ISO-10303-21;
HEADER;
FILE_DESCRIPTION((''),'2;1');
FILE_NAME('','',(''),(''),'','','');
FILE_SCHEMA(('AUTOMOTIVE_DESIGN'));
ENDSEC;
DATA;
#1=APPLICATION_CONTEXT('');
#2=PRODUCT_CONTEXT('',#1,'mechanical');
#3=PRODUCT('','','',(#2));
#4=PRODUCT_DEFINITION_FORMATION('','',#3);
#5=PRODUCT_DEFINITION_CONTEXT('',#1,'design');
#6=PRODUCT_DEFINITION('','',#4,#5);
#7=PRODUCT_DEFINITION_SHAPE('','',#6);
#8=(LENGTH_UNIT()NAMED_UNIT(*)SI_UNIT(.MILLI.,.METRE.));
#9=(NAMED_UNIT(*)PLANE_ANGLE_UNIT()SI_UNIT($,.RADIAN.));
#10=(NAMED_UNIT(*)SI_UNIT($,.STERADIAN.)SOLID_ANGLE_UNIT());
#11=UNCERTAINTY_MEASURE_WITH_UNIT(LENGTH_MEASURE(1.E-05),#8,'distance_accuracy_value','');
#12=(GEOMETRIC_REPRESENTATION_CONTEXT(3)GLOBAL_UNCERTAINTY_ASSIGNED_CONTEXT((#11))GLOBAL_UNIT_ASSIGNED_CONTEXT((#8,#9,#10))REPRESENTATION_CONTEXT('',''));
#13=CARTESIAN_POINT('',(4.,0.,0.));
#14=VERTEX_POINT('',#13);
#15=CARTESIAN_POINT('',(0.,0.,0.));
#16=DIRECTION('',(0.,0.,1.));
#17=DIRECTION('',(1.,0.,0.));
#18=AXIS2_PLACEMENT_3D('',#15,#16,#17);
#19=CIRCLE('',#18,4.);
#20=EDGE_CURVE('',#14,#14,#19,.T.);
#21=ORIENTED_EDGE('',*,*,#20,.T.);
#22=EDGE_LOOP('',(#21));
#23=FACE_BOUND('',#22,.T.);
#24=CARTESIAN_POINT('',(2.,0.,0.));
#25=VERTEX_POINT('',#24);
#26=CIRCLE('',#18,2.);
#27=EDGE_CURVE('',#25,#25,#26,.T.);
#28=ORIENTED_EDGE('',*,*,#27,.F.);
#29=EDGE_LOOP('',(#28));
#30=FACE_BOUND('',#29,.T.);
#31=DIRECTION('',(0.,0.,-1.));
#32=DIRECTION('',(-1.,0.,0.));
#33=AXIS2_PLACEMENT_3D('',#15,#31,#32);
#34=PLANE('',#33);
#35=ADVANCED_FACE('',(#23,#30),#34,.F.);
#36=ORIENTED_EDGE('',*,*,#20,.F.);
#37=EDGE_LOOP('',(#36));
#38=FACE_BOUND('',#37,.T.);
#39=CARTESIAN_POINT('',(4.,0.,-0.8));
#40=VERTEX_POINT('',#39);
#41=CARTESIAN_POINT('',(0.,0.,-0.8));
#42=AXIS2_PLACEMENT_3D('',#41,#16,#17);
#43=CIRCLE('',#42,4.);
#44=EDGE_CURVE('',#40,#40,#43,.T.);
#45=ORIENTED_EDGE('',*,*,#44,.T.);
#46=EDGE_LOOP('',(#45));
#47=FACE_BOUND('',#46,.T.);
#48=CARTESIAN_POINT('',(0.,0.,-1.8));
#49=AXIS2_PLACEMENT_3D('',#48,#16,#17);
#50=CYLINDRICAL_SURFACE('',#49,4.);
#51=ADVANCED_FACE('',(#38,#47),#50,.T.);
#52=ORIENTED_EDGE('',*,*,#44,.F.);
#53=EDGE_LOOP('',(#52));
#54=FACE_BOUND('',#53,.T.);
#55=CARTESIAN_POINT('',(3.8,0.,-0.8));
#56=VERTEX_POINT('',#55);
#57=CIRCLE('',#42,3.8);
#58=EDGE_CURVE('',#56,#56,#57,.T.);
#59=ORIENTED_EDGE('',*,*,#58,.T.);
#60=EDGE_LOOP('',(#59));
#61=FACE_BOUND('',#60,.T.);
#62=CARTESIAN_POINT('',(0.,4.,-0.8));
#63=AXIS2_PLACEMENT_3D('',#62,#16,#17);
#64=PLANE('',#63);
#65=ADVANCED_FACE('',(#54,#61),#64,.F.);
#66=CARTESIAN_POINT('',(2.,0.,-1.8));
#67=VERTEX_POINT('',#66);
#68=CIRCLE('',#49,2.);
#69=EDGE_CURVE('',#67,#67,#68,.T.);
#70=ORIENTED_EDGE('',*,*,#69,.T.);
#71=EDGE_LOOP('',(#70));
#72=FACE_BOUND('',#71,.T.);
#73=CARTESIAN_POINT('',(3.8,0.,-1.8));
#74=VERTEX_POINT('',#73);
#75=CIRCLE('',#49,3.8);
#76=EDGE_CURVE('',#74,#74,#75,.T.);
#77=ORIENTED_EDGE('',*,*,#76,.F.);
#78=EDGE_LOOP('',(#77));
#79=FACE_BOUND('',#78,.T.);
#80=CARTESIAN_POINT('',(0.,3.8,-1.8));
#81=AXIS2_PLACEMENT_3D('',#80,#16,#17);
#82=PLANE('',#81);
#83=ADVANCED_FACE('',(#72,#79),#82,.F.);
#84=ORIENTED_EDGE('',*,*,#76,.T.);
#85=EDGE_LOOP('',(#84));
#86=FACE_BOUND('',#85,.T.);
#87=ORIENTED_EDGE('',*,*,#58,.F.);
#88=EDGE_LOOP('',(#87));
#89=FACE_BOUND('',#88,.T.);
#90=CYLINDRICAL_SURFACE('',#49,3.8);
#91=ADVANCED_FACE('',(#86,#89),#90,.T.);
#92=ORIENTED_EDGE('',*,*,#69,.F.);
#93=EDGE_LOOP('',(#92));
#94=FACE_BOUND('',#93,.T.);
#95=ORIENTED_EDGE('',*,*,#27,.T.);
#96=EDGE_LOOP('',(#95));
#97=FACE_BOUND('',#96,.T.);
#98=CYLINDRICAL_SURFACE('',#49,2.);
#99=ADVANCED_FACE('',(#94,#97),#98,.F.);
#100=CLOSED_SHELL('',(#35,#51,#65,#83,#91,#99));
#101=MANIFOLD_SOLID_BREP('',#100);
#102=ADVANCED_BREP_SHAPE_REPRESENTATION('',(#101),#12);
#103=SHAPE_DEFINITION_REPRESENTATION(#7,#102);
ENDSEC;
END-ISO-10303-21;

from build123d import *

# Parameters (mm, degrees)
SKETCH_2_W = 1.8
SKETCH_2_H = 2


with BuildPart() as part:
    # 草图1 → 旋转1 (revolve)
    with BuildSketch(Plane(origin=(0, 0, 0), x_dir=(0, 0, -1), z_dir=(1, 0, 0))):
        Polygon((0, 0), (0, 4), (0.8, 4), (0.8, 3.8), (1.8, 3.8), (1.8, 0), align=None)
    revolve(axis=Axis((0, 0, -1.8), (0, 0, 1)))

    # 草图2 → 切除-旋转1 (revolve, cut)
    with BuildSketch(Plane(origin=(0, 0, 0), x_dir=(0, 0, -1), z_dir=(1, 0, 0))):
        with Locations((0.9, 1)):
            Rectangle(SKETCH_2_W, SKETCH_2_H)
    revolve(axis=Axis((0, 0, -1.8), (0, 0, 1)), mode=Mode.SUBTRACT)


solid = part.part
